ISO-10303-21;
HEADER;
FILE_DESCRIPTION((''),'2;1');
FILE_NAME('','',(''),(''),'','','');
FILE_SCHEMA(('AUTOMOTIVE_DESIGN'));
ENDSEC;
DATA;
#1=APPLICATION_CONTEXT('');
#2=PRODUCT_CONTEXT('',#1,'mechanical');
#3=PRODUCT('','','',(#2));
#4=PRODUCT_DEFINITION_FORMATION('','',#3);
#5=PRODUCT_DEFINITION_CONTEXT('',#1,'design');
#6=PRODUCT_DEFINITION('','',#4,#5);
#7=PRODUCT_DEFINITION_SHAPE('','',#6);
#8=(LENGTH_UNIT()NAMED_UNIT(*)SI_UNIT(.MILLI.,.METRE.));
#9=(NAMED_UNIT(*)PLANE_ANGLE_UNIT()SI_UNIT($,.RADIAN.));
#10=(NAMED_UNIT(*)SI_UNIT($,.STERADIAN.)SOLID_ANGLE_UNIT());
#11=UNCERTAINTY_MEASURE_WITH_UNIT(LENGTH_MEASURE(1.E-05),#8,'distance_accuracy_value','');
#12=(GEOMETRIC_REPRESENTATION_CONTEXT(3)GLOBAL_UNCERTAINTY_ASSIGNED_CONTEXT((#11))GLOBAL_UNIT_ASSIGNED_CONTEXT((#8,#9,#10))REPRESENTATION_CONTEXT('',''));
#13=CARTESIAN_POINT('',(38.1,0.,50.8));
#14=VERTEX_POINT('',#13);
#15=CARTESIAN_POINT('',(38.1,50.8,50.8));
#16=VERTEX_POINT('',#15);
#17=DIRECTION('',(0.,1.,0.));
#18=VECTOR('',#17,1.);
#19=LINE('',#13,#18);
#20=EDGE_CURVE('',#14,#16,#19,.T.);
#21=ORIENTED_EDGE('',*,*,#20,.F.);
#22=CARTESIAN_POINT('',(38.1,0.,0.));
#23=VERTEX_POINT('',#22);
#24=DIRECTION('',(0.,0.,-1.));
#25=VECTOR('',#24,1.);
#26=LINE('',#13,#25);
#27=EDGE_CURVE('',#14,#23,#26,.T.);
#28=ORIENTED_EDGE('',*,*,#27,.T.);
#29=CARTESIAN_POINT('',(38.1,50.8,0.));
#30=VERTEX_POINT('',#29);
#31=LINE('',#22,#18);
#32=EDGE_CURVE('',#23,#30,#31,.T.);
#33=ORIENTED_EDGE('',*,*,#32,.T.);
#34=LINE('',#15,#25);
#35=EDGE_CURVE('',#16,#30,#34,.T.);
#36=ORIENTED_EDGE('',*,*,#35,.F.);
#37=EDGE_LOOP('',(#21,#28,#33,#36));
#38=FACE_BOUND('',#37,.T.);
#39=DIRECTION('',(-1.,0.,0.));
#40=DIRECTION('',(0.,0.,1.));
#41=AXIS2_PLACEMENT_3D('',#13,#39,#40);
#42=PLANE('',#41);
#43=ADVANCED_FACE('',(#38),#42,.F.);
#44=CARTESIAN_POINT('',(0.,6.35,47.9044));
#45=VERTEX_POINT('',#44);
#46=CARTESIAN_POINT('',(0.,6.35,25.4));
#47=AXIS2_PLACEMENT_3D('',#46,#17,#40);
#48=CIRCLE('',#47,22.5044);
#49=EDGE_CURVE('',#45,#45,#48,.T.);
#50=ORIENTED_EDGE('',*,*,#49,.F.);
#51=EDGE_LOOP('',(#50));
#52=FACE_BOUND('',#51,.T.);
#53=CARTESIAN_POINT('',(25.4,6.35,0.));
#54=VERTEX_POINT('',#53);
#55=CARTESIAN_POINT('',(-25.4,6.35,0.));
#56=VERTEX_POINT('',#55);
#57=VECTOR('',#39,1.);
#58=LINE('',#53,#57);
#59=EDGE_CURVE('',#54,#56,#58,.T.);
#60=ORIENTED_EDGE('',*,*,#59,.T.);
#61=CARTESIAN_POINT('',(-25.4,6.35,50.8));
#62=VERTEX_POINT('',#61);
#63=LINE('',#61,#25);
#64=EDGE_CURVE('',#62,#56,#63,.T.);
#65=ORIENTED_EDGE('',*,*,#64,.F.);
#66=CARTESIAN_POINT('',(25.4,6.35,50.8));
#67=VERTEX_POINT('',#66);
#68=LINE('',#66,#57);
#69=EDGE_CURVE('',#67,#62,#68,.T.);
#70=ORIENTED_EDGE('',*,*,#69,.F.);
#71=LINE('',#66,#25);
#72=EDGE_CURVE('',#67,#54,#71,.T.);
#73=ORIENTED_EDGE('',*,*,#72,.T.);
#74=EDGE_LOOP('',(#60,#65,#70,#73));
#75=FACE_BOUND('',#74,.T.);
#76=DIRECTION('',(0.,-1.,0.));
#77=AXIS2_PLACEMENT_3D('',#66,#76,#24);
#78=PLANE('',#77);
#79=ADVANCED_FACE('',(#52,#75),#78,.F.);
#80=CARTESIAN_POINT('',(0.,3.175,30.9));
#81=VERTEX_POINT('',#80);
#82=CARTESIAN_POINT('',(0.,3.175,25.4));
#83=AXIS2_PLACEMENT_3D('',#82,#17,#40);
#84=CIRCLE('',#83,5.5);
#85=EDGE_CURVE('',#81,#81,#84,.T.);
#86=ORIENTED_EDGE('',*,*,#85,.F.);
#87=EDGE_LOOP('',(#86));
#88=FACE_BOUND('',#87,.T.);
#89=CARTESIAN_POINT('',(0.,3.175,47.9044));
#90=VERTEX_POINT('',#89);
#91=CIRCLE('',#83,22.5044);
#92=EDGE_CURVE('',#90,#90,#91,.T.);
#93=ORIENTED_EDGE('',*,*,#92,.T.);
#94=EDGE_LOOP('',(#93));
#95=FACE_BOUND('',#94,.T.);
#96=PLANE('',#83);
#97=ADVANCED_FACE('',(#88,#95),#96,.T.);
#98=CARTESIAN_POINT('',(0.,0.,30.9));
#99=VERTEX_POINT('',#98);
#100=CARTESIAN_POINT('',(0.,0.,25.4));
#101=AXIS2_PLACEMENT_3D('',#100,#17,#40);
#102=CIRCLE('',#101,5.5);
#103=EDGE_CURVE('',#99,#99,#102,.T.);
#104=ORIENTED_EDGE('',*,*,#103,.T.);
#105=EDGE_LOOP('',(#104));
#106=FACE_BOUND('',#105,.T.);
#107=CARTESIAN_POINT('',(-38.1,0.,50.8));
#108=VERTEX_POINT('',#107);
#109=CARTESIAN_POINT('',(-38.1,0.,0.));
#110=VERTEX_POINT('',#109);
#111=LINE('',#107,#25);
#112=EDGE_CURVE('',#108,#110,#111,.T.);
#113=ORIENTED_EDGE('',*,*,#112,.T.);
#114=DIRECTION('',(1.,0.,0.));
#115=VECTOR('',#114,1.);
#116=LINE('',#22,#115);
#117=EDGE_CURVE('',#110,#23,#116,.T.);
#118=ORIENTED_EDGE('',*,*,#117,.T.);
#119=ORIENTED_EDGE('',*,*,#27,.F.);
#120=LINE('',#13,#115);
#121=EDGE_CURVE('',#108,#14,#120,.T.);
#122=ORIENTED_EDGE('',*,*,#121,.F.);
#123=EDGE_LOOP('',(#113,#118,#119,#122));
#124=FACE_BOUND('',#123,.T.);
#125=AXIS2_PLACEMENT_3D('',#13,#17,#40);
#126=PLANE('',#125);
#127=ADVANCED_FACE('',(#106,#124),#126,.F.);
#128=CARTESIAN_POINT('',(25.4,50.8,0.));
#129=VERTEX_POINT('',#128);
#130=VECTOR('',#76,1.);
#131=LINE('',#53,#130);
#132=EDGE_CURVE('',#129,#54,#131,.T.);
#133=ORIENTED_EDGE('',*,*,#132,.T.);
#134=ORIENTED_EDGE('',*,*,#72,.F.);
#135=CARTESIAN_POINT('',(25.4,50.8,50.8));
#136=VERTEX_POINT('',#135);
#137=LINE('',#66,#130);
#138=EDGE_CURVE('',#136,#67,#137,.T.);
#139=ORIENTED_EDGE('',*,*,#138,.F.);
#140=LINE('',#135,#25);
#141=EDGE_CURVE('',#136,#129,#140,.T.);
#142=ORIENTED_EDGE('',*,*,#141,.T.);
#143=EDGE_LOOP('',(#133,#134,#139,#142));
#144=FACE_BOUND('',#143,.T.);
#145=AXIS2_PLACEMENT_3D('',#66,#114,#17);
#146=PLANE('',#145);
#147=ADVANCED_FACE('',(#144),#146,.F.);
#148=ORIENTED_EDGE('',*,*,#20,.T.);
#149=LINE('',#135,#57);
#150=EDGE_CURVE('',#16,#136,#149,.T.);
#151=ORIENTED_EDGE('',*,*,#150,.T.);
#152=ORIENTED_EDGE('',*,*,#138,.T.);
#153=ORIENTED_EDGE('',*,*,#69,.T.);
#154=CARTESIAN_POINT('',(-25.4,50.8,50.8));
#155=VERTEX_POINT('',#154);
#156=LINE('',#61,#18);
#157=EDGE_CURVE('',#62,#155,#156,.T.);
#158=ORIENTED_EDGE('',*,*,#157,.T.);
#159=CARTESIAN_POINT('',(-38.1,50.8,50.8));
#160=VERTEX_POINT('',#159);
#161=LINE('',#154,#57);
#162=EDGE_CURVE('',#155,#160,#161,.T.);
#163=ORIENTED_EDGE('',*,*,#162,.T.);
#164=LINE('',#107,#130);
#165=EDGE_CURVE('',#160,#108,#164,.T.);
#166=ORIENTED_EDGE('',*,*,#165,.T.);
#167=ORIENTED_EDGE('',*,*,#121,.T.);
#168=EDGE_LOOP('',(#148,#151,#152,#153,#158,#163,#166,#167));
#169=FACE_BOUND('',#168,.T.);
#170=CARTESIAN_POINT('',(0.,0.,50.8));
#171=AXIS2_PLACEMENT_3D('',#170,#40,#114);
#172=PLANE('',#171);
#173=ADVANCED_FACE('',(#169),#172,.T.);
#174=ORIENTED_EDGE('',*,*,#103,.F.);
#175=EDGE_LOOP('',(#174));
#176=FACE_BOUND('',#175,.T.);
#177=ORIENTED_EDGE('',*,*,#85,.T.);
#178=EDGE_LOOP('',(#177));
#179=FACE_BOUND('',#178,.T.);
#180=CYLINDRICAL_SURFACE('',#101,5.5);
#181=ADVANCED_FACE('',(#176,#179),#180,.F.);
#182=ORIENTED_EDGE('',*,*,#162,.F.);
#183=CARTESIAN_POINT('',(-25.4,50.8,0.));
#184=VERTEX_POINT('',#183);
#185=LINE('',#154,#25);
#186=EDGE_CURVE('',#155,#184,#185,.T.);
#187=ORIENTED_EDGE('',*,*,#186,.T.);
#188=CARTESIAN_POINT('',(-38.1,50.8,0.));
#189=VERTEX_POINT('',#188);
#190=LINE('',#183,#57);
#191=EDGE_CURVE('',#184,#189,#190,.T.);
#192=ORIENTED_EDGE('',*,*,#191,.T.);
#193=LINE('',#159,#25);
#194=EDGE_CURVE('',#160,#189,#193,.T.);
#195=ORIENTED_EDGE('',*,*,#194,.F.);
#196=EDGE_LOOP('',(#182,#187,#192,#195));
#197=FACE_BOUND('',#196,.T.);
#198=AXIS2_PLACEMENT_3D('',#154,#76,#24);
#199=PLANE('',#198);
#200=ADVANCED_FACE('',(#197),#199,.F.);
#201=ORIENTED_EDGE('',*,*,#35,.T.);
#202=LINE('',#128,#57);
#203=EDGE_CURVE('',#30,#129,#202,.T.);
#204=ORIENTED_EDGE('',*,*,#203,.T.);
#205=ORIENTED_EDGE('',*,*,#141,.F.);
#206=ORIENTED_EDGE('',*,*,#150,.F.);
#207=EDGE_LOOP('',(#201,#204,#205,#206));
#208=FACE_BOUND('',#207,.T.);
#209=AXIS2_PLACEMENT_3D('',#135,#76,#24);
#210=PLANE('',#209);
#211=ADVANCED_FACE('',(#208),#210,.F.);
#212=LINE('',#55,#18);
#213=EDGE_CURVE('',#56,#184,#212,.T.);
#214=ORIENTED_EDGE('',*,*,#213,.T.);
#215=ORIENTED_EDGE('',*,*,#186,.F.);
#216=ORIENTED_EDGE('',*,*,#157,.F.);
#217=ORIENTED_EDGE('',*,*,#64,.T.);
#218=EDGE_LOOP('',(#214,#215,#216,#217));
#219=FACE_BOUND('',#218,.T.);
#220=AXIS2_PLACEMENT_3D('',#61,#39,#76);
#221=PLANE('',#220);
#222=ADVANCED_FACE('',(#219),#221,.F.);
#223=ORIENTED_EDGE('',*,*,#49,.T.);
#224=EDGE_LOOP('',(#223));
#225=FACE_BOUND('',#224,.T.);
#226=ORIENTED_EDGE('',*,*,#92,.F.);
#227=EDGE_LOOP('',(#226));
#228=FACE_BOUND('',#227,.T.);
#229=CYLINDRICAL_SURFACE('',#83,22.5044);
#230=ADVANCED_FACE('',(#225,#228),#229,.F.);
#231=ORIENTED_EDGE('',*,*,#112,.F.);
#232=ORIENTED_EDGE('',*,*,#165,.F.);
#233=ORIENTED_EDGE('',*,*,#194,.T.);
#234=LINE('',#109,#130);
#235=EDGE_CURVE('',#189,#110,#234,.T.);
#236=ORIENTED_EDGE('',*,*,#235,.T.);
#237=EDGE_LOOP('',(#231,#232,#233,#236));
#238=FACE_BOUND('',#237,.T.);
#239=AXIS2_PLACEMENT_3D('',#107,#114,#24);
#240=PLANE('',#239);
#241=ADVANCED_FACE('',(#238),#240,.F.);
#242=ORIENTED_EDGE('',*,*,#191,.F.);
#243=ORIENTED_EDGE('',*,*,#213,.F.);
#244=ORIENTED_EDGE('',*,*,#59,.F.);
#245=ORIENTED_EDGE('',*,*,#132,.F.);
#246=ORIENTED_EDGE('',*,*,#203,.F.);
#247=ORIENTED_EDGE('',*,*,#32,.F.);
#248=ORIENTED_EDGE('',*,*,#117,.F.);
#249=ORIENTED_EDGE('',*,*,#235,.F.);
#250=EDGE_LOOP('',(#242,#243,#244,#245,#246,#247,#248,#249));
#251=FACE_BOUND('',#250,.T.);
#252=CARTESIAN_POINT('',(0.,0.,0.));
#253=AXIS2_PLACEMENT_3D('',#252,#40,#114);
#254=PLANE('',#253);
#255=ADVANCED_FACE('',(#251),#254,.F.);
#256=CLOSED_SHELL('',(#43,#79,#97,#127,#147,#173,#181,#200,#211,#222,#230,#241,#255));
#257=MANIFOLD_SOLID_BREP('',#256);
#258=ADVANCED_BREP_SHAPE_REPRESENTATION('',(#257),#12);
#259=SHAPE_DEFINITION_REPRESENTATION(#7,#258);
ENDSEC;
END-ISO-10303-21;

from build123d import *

# Parameters (mm, degrees)
BOSS_EXTRUDE1_DEPTH = 50.8
SKETCH2_R           = 22.5044
CUT_EXTRUDE1_DEPTH  = 3.175
SKETCH3_R           = 5.5
CUT_EXTRUDE2_DEPTH  = 4.175


with BuildPart() as part:
    # Sketch1 → Boss-Extrude1 (new body)
    with BuildSketch(Plane.XY):
        Polygon((38.1, 0), (-38.1, 0), (-38.1, 50.8), (-25.4, 50.8), (-25.4, 6.35), (25.4, 6.35), (25.4, 50.8), (38.1, 50.8), align=None)
    extrude(amount=BOSS_EXTRUDE1_DEPTH)

    # Sketch2 → Cut-Extrude1 (cut)
    with BuildSketch(Plane(origin=(0, 6.35, 0), x_dir=(1, 0, 0), z_dir=(0, 1, 0))):
        with Locations((0, -25.4)):
            Circle(SKETCH2_R)
    extrude(amount=-CUT_EXTRUDE1_DEPTH, mode=Mode.SUBTRACT)

    # Sketch3 → Cut-Extrude2 (cut, through all)
    with BuildSketch(Plane(origin=(0, 3.175, 0), x_dir=(1, 0, 0), z_dir=(0, 1, 0))):
        with Locations((0, -25.4)):
            Circle(SKETCH3_R)
    extrude(amount=-CUT_EXTRUDE2_DEPTH, mode=Mode.SUBTRACT)


solid = part.part
